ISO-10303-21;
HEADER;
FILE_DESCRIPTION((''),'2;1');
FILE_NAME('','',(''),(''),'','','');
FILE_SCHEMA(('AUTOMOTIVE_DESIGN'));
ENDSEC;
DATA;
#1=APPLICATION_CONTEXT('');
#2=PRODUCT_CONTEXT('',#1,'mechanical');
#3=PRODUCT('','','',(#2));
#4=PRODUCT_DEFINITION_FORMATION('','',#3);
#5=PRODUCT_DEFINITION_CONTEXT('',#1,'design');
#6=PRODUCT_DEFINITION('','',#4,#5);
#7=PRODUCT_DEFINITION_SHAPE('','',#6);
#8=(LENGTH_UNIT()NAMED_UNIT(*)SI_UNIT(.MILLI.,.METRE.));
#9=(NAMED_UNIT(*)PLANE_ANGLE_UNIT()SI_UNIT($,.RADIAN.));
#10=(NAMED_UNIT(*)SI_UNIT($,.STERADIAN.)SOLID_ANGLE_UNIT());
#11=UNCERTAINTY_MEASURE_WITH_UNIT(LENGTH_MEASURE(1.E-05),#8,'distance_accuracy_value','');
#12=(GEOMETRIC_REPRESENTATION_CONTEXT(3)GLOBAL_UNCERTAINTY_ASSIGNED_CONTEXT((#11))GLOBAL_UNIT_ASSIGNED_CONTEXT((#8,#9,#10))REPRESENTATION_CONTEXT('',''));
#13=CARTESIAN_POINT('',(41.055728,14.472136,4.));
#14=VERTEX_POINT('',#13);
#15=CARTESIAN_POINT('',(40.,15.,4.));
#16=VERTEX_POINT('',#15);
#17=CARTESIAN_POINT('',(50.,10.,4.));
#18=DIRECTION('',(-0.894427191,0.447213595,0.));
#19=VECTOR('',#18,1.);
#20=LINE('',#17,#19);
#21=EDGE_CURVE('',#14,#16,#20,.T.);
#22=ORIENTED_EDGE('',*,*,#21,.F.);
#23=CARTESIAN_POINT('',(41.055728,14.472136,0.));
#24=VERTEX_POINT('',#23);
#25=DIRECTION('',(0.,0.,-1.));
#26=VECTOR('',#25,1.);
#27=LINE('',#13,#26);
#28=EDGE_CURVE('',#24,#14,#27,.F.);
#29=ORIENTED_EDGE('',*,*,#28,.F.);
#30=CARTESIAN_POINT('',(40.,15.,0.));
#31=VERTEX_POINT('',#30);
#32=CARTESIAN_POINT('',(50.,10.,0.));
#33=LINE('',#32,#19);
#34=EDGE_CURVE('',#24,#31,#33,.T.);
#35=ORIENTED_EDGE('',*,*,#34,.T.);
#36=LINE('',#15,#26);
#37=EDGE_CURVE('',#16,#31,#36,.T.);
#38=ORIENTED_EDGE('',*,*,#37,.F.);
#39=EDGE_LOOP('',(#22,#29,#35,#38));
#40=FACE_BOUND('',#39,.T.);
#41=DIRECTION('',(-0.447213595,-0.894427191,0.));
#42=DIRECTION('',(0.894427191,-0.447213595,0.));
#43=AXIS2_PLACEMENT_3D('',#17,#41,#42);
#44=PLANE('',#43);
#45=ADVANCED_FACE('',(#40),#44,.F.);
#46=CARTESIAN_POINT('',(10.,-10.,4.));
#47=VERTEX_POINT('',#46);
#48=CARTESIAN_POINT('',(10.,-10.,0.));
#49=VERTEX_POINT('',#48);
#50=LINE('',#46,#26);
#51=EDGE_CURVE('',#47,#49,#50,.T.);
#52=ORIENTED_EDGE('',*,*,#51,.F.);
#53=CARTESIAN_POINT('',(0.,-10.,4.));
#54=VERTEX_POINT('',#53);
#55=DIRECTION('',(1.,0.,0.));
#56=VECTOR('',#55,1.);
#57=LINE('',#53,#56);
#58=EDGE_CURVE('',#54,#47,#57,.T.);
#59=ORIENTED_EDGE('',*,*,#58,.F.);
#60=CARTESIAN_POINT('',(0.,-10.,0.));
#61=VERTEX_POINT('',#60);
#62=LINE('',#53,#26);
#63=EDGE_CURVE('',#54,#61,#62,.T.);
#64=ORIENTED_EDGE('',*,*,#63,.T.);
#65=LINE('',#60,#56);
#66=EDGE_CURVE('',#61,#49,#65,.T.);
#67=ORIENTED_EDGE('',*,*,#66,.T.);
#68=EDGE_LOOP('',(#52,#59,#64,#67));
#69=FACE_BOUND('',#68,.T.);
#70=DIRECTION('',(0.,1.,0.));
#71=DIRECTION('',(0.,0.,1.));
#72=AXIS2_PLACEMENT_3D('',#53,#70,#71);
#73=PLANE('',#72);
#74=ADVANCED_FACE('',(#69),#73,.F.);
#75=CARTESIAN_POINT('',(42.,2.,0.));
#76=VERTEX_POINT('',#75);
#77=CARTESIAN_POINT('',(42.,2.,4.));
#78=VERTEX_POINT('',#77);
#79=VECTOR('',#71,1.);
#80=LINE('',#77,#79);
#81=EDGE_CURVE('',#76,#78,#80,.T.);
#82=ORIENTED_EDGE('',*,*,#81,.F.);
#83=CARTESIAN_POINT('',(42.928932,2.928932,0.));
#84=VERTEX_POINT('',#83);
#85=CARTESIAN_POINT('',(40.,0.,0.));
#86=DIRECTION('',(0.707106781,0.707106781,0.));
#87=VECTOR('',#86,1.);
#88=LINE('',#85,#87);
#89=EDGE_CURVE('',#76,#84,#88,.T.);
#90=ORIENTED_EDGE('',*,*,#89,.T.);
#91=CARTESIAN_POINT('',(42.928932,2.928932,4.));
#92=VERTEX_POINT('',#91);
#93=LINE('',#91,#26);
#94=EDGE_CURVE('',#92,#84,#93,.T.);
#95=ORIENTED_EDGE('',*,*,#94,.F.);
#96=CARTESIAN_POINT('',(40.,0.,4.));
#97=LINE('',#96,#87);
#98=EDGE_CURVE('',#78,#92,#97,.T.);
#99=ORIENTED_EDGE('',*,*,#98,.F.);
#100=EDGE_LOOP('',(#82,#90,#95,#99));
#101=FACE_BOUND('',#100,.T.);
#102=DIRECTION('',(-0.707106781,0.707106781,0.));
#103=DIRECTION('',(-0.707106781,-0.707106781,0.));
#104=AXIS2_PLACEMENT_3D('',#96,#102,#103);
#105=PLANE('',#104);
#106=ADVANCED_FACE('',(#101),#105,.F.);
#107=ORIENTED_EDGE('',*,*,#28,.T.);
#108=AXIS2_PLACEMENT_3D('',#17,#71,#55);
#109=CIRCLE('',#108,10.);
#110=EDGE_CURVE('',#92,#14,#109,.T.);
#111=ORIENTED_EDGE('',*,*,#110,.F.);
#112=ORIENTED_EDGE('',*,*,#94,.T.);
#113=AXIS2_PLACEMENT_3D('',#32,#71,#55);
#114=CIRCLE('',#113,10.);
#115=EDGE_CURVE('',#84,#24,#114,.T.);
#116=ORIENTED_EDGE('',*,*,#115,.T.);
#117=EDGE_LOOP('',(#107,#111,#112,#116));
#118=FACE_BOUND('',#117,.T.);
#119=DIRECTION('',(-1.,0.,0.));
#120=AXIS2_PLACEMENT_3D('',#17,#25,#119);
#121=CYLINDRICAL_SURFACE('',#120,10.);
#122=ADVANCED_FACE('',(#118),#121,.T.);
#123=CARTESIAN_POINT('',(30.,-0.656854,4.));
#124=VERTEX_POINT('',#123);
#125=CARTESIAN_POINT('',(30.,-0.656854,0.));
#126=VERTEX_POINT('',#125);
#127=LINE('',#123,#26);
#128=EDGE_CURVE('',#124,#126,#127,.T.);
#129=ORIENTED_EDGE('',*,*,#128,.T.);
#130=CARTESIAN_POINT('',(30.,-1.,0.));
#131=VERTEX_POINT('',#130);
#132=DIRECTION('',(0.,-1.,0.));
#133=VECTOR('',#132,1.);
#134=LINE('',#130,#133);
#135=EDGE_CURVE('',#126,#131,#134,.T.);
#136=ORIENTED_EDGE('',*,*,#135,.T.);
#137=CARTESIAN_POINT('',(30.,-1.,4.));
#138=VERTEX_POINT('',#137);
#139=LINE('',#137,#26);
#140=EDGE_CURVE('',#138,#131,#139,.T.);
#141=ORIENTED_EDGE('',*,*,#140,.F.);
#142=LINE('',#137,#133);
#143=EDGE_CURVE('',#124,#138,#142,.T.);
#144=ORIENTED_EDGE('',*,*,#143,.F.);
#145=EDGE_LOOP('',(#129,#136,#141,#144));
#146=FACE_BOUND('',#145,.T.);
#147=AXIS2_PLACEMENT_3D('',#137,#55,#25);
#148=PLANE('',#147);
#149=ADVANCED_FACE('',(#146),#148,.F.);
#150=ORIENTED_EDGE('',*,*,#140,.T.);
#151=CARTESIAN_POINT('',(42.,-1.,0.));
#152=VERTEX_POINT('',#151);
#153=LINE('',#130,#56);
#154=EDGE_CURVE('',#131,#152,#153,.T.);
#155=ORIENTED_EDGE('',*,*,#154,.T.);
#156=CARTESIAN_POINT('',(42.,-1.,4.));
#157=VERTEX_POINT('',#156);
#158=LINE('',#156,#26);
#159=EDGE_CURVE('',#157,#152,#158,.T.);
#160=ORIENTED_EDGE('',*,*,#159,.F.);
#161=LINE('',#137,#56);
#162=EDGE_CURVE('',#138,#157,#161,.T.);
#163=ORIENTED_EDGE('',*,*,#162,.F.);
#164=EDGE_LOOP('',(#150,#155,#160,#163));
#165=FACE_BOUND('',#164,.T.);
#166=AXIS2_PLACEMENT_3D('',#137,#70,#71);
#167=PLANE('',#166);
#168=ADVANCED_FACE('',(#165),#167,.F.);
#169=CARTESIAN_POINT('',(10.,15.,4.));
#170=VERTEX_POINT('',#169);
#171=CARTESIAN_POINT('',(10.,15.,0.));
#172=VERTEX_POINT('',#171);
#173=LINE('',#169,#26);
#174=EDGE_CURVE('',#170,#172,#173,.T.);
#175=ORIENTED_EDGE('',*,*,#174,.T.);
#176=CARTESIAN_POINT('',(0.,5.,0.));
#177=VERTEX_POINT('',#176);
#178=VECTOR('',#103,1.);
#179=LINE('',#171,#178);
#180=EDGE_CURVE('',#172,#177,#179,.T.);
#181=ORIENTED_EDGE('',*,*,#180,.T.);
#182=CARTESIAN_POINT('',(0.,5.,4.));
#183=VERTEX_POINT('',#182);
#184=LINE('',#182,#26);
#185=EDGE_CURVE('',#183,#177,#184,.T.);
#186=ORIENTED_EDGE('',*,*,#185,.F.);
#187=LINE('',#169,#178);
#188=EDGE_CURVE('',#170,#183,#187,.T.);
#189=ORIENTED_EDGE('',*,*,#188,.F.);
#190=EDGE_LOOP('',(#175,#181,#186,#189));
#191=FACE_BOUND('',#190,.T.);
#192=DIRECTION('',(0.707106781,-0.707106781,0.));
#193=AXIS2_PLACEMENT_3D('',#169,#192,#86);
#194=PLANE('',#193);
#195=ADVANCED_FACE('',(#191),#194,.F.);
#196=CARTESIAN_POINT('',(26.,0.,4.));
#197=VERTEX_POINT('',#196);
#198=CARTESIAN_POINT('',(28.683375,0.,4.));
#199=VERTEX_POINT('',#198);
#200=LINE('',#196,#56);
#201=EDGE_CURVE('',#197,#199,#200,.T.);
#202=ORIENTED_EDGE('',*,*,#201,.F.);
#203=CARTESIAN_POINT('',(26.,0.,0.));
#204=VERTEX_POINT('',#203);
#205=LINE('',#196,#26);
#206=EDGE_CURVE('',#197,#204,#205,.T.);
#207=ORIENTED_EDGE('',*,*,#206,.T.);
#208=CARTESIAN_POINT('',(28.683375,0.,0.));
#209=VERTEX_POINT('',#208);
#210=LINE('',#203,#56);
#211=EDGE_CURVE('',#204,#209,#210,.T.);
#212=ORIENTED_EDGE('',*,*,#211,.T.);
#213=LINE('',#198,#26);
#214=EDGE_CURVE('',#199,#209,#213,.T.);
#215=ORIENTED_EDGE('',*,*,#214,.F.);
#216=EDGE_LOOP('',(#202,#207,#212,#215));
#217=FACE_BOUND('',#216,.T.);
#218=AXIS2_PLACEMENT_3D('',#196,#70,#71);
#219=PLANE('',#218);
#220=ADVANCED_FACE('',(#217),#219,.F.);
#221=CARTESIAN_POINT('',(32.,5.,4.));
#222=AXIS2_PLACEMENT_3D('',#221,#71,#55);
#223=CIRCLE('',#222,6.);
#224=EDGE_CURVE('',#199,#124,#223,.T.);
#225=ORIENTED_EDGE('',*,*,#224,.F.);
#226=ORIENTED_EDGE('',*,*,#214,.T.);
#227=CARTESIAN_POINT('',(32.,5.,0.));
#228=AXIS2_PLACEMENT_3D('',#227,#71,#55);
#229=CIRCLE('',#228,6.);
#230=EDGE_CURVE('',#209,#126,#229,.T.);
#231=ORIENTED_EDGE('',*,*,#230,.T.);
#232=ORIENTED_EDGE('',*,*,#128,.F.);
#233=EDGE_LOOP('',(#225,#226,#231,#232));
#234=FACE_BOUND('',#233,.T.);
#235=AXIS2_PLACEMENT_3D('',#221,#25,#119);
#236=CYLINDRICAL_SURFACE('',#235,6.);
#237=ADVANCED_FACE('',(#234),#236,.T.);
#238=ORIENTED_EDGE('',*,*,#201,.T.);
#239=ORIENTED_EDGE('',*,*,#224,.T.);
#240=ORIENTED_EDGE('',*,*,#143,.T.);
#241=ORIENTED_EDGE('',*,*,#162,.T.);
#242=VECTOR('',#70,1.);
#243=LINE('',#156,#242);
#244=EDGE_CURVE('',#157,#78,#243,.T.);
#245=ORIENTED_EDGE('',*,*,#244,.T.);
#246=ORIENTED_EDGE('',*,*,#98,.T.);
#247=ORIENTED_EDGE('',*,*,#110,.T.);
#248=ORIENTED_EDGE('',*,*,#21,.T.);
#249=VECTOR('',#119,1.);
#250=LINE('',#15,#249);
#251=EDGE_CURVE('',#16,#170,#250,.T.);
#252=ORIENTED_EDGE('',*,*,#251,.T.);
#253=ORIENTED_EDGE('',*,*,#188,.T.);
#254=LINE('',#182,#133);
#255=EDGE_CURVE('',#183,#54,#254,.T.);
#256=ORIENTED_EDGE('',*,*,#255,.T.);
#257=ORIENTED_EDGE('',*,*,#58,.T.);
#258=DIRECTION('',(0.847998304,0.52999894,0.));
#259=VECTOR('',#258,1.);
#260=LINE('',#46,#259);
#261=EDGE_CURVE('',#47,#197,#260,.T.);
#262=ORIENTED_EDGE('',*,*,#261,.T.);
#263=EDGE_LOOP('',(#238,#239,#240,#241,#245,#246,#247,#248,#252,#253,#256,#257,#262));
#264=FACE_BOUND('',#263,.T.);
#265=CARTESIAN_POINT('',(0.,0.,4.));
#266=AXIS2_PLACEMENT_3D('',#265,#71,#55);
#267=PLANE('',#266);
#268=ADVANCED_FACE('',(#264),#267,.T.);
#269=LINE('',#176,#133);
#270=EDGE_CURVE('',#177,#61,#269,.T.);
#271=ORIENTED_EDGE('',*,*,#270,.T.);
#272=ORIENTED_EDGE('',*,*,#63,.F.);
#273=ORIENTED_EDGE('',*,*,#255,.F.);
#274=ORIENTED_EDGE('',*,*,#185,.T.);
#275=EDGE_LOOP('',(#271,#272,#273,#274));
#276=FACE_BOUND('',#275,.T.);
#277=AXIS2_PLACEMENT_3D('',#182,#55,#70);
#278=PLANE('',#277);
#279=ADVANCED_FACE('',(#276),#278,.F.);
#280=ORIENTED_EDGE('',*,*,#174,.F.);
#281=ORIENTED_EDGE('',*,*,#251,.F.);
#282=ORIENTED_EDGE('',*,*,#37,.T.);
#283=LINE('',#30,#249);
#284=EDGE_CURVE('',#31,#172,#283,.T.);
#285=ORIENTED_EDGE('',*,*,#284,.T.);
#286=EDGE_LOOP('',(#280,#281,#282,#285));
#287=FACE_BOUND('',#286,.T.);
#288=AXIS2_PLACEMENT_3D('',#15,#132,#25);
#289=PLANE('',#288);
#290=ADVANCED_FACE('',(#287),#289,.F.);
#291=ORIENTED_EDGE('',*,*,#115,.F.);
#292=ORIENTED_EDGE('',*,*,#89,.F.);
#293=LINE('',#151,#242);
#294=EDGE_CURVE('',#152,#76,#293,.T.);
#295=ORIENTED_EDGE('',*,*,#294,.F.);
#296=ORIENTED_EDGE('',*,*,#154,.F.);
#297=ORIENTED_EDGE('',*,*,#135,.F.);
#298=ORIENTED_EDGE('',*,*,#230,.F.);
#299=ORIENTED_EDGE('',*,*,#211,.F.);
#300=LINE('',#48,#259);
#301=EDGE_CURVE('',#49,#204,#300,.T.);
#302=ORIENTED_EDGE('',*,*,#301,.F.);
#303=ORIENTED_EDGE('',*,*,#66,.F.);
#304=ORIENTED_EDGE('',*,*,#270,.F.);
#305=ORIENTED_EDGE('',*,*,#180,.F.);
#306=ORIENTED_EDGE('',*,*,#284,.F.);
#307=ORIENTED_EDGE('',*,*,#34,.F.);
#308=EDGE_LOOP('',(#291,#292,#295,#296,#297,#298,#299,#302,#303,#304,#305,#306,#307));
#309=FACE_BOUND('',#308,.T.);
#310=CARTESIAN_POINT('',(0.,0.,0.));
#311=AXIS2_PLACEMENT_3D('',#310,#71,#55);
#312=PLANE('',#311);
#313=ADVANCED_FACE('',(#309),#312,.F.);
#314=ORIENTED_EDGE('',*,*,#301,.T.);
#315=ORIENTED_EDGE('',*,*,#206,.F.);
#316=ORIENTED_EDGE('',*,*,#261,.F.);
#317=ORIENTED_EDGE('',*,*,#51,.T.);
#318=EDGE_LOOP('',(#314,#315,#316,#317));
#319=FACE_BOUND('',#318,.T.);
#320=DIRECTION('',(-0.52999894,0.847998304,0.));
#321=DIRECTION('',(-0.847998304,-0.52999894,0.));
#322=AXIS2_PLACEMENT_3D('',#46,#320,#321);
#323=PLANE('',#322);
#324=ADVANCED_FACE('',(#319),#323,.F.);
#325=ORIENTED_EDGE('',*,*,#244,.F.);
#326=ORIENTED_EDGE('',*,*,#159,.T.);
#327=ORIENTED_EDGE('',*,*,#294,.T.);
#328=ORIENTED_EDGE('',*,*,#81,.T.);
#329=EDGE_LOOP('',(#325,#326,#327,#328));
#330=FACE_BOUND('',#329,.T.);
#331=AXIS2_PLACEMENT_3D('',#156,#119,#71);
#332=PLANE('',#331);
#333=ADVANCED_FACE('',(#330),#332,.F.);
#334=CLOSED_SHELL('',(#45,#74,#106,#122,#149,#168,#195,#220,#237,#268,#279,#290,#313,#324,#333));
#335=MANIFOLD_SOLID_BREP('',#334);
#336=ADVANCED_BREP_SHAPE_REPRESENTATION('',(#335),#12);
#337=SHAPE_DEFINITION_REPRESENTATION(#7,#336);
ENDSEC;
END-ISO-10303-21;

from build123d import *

# Parameters (mm, degrees)
BOSS_EXTRUDE1_DEPTH = 4
SKETCH2_R           = 10
BOSS_EXTRUDE2_DEPTH = 4
SKETCH6_R           = 6
BOSS_EXTRUDE3_DEPTH = 4
SKETCH9_W           = 12
SKETCH9_H           = 12
BOSS_EXTRUDE4_DEPTH = 4


with BuildPart() as part:
    # Sketch1 → Boss-Extrude1 (new body)
    with BuildSketch(Plane.XY):
        Polygon((0, -10), (10, -10), (26, 0), (40, 0), (50, 10), (40, 15), (10, 15), (0, 5), align=None)
    extrude(amount=BOSS_EXTRUDE1_DEPTH)

    # Sketch2 → Boss-Extrude2 (add)
    with BuildSketch(Plane.XY):
        with Locations((50, 10)):
            Circle(SKETCH2_R)
    extrude(amount=BOSS_EXTRUDE2_DEPTH)

    # Sketch6 → Boss-Extrude3 (add)
    with BuildSketch(Plane.XY):
        with Locations((32, 5)):
            Circle(SKETCH6_R)
    extrude(amount=BOSS_EXTRUDE3_DEPTH)

    # Sketch9 → Boss-Extrude4 (add)
    with BuildSketch(Plane.XY):
        with Locations((36, 5)):
            Rectangle(SKETCH9_W, SKETCH9_H)
    extrude(amount=BOSS_EXTRUDE4_DEPTH)


solid = part.part
